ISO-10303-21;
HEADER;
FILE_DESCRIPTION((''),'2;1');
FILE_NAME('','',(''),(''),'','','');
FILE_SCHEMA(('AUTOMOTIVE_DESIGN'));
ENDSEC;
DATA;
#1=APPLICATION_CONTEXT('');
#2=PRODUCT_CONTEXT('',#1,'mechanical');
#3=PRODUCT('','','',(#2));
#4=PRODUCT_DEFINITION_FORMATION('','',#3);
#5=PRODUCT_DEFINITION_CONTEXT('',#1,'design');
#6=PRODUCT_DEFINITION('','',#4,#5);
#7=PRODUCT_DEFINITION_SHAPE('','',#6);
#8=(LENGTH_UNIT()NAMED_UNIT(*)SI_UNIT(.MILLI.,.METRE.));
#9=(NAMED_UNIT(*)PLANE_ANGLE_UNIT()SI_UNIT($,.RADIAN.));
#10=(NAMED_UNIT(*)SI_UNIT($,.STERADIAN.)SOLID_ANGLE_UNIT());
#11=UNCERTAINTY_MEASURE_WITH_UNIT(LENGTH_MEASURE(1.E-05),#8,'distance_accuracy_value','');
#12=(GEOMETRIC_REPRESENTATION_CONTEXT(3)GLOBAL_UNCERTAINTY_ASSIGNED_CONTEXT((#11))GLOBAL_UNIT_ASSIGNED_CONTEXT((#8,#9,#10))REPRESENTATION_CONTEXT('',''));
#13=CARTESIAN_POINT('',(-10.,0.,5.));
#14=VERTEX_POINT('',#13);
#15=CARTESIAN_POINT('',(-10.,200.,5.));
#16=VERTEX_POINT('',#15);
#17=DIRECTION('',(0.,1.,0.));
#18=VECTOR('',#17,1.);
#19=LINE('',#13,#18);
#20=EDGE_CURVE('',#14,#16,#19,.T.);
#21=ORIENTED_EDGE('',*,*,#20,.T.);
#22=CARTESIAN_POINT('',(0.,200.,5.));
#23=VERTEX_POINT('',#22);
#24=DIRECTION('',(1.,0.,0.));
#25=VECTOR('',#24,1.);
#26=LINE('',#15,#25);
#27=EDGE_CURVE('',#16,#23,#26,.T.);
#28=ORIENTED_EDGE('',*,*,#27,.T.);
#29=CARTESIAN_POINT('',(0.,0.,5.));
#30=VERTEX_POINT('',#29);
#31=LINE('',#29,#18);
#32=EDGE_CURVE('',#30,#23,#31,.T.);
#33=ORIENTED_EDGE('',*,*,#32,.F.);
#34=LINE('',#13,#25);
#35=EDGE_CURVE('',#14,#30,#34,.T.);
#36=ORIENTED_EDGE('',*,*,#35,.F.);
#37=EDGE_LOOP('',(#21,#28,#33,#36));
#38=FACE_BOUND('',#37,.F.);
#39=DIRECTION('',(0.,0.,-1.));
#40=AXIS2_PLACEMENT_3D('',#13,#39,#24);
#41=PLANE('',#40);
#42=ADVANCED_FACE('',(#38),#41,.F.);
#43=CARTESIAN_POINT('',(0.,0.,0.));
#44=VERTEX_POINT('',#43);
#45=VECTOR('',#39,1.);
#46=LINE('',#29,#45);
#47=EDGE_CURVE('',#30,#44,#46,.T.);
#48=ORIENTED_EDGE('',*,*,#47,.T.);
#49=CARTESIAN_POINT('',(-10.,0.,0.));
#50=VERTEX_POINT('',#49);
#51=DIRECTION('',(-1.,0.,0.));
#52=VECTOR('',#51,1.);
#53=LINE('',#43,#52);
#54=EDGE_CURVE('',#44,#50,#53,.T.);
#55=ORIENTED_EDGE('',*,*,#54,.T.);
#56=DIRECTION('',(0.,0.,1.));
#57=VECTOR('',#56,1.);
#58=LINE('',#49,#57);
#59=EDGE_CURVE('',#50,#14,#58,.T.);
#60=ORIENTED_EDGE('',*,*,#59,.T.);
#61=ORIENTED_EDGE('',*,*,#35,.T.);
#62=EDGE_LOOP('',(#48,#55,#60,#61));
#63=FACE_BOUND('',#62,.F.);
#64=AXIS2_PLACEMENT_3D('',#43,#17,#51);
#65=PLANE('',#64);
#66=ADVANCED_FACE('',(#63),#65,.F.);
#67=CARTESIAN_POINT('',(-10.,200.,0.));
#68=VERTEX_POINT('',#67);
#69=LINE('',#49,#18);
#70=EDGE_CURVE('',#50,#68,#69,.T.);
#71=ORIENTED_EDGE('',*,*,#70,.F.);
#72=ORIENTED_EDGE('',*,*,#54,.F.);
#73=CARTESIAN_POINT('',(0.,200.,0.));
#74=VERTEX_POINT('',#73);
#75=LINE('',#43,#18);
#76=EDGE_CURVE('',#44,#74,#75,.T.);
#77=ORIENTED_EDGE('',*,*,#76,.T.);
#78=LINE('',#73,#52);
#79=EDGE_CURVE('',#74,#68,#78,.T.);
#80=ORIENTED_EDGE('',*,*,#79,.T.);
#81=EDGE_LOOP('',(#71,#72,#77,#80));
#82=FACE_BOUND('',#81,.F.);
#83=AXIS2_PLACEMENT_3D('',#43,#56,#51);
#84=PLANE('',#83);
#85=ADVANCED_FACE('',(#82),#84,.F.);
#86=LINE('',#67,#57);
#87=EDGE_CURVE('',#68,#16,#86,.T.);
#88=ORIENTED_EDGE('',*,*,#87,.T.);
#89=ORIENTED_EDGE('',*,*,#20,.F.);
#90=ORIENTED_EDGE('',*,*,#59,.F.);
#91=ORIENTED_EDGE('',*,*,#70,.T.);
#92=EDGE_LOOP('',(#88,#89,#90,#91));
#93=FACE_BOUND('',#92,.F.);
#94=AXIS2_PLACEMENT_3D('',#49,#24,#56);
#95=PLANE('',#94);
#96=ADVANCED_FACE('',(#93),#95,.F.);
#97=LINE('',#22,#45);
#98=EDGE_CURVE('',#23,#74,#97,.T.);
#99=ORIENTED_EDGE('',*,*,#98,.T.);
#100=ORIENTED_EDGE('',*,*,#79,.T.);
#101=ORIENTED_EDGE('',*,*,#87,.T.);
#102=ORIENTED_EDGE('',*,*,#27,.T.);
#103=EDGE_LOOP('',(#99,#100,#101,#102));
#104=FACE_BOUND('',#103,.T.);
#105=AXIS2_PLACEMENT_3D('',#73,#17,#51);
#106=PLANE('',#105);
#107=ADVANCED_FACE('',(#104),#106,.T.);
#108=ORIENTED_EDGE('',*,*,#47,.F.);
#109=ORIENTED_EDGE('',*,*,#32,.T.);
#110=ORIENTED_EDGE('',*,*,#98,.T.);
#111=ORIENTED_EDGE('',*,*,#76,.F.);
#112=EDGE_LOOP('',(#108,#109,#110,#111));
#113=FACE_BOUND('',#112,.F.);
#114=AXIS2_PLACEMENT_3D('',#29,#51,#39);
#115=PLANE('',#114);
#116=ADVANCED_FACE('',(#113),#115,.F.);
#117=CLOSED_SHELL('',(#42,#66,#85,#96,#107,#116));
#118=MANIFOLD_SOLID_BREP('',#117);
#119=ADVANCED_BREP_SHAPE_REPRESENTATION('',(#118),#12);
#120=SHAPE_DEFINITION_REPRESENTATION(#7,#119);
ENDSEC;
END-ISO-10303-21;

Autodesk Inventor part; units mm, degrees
ref_plane "YZ Plane" through (0, 0, 0) normal (1, 0, 0) x (0, 1, 0)
ref_plane "XZ Plane" through (0, 0, 0) normal (0, 1, 0) x (-1, 0, 0)
ref_plane "XY Plane" through (0, 0, 0) normal (0, 0, 1) x (1, 0, 0)
sketch "Sketch1" plane through (0, 0, 0) normal (0, 1, 0) x (-1, 0, 0)
  line L0 (0, 0) -> (10, 0)
  line L1 (10, 0) -> (10, 5)
  line L2 (10, 5) -> (0, 5)
  line L3 (0, 5) -> (0, 0)
  dimension "d0" = 10
  dimension "d1" = 5
extrude "Extrusion1" add sketch "Sketch1" along normal blind 200
properties part number "slider_rail"
